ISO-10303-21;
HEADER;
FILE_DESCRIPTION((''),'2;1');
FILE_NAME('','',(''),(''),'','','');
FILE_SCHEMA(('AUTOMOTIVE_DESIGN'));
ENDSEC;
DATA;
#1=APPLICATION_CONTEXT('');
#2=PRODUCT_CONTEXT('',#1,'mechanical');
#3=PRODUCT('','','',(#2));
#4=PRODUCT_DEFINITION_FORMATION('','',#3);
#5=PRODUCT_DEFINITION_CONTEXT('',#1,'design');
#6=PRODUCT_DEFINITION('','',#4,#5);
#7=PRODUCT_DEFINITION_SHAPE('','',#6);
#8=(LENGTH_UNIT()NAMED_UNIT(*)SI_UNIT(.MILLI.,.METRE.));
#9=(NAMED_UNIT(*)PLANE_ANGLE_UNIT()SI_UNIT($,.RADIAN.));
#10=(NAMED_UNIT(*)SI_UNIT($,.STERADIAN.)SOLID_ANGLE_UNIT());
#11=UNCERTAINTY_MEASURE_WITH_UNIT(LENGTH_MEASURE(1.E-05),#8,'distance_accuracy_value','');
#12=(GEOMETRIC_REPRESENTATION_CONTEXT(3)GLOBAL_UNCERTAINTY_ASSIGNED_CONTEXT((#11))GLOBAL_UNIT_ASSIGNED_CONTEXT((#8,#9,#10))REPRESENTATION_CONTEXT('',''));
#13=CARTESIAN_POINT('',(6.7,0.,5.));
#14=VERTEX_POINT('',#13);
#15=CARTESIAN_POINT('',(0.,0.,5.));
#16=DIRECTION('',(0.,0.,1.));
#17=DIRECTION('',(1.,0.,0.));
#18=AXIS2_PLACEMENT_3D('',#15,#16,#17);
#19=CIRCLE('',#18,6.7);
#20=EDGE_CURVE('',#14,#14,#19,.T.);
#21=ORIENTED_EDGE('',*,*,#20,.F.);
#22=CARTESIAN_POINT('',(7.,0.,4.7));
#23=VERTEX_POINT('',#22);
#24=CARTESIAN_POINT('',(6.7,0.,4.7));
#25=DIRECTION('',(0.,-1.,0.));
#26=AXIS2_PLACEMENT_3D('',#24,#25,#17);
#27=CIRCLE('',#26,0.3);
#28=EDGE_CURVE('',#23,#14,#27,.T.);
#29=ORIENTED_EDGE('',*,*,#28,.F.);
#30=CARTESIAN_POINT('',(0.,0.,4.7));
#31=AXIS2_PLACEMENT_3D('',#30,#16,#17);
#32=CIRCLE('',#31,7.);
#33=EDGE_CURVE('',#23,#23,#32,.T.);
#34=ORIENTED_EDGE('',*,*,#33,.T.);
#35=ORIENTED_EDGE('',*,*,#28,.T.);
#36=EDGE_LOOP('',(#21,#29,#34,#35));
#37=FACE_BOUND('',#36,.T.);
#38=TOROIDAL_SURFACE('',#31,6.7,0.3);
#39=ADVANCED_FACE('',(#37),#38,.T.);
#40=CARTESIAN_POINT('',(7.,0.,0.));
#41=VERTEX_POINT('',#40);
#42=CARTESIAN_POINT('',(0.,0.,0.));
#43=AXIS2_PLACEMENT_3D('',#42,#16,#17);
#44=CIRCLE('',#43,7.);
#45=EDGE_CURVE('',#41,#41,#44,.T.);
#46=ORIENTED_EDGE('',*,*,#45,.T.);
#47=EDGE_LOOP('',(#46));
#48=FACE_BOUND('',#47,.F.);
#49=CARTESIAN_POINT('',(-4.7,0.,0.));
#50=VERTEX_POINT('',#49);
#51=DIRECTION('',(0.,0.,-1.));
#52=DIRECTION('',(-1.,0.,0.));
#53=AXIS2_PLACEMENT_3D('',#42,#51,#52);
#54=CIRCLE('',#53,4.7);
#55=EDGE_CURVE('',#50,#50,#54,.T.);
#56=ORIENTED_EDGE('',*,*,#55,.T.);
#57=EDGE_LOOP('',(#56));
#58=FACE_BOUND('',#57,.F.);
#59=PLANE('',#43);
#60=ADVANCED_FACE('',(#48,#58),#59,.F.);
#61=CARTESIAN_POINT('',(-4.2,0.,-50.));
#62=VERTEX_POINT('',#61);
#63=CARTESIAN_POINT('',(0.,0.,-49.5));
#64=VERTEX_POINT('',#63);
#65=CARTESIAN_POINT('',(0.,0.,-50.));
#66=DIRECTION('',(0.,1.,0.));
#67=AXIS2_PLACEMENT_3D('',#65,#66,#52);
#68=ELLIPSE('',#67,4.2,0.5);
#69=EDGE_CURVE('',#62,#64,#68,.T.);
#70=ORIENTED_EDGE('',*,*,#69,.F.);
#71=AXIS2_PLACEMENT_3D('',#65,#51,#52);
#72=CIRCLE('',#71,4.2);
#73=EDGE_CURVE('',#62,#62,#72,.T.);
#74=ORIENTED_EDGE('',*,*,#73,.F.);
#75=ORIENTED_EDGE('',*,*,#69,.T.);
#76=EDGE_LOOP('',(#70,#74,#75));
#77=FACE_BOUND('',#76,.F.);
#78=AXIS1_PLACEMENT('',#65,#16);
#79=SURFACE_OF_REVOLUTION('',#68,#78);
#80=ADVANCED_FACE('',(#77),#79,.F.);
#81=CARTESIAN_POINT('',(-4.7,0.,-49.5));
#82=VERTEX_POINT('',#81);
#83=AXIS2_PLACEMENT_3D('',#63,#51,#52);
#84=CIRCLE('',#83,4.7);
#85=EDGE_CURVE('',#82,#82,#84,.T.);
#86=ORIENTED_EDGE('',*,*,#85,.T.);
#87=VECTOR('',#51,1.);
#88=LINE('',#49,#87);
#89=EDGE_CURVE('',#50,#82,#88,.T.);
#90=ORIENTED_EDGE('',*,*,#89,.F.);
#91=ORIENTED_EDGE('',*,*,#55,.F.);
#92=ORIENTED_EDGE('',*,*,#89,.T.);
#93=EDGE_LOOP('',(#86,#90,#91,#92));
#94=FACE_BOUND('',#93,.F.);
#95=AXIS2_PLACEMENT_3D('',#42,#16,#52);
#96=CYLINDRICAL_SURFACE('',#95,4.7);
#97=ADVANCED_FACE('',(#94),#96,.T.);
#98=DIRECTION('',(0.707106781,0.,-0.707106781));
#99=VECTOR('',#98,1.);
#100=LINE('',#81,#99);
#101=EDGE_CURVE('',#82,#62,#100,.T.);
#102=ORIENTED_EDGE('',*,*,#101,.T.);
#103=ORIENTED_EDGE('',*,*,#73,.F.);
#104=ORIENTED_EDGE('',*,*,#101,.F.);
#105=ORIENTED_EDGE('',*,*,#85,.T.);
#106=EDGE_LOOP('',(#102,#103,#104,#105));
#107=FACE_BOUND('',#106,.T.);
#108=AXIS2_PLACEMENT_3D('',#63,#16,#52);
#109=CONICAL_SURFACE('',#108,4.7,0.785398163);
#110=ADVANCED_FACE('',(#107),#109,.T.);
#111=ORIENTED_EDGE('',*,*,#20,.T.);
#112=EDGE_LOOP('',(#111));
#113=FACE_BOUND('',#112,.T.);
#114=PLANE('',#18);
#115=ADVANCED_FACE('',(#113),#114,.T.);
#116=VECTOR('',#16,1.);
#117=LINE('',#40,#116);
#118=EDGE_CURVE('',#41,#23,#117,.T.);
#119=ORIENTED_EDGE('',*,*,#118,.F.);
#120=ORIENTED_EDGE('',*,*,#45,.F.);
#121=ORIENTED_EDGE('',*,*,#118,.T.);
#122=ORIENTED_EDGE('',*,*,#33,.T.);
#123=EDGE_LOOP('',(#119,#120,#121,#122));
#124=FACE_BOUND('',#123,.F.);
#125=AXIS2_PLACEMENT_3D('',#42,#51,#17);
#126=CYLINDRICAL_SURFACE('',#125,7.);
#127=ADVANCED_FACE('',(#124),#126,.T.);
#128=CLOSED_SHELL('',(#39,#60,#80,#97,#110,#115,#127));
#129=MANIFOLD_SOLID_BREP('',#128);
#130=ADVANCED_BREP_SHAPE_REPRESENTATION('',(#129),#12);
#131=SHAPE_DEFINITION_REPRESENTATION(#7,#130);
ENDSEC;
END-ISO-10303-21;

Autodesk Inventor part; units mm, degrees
ref_plane "YZ Plane" through (0, 0, 0) normal (1, 0, 0) x (0, 1, 0)
ref_plane "XZ Plane" through (0, 0, 0) normal (0, 1, 0) x (-1, 0, 0)
ref_plane "XY Plane" through (0, 0, 0) normal (0, 0, 1) x (1, 0, 0)
sketch "Sketch1" plane through (0, 0, 0) normal (0, 0, 1) x (1, 0, 0)
  circle A0 centre (0, 0) radius 7
  dimension "d0" = 14
extrude "Extrusion1" add sketch "Sketch1" along normal blind 5
sketch "Sketch2" plane through (0, 0, 0) normal (0, 0, -1) x (-1, 0, 0)
  circle A0 centre (0, 0) radius 4.7
  dimension "d3" = 9.4
extrude "Extrusion2" add sketch "Sketch2" along normal blind 50
fillet "Fillet1" radius 0.3 1 edges at (-7, 0, 5)
thread "Thread1" size "M10x1.5" class "6g" standard "ANSI Metric M Profile" length 15
chamfer "Chamfer1" distance 0.5 angle 45 1 edges at (4.7, 0, -50)
sketch "Sketch3" plane through (0, 0, 0) normal (0, 1, 0) x (-1, 0, 0)
  ellipse E0 centre (0, -50) end of major axis (4.2, -50) minor radius 0.5 (4.2, -50) -> (0, -49.5) ccw
  line L0 (4.2, -50) -> (0, -50)
  line L1 (0, -50) -> (0, -49.5)
  point P0 (0, 0)
revolve "Revolution1" cut sketch "Sketch3" angle 360 about axis through (0, 0, -50) along (0, 0, 1)
properties part number "Kingpin_Bolt" material "Steel, Carbon"
